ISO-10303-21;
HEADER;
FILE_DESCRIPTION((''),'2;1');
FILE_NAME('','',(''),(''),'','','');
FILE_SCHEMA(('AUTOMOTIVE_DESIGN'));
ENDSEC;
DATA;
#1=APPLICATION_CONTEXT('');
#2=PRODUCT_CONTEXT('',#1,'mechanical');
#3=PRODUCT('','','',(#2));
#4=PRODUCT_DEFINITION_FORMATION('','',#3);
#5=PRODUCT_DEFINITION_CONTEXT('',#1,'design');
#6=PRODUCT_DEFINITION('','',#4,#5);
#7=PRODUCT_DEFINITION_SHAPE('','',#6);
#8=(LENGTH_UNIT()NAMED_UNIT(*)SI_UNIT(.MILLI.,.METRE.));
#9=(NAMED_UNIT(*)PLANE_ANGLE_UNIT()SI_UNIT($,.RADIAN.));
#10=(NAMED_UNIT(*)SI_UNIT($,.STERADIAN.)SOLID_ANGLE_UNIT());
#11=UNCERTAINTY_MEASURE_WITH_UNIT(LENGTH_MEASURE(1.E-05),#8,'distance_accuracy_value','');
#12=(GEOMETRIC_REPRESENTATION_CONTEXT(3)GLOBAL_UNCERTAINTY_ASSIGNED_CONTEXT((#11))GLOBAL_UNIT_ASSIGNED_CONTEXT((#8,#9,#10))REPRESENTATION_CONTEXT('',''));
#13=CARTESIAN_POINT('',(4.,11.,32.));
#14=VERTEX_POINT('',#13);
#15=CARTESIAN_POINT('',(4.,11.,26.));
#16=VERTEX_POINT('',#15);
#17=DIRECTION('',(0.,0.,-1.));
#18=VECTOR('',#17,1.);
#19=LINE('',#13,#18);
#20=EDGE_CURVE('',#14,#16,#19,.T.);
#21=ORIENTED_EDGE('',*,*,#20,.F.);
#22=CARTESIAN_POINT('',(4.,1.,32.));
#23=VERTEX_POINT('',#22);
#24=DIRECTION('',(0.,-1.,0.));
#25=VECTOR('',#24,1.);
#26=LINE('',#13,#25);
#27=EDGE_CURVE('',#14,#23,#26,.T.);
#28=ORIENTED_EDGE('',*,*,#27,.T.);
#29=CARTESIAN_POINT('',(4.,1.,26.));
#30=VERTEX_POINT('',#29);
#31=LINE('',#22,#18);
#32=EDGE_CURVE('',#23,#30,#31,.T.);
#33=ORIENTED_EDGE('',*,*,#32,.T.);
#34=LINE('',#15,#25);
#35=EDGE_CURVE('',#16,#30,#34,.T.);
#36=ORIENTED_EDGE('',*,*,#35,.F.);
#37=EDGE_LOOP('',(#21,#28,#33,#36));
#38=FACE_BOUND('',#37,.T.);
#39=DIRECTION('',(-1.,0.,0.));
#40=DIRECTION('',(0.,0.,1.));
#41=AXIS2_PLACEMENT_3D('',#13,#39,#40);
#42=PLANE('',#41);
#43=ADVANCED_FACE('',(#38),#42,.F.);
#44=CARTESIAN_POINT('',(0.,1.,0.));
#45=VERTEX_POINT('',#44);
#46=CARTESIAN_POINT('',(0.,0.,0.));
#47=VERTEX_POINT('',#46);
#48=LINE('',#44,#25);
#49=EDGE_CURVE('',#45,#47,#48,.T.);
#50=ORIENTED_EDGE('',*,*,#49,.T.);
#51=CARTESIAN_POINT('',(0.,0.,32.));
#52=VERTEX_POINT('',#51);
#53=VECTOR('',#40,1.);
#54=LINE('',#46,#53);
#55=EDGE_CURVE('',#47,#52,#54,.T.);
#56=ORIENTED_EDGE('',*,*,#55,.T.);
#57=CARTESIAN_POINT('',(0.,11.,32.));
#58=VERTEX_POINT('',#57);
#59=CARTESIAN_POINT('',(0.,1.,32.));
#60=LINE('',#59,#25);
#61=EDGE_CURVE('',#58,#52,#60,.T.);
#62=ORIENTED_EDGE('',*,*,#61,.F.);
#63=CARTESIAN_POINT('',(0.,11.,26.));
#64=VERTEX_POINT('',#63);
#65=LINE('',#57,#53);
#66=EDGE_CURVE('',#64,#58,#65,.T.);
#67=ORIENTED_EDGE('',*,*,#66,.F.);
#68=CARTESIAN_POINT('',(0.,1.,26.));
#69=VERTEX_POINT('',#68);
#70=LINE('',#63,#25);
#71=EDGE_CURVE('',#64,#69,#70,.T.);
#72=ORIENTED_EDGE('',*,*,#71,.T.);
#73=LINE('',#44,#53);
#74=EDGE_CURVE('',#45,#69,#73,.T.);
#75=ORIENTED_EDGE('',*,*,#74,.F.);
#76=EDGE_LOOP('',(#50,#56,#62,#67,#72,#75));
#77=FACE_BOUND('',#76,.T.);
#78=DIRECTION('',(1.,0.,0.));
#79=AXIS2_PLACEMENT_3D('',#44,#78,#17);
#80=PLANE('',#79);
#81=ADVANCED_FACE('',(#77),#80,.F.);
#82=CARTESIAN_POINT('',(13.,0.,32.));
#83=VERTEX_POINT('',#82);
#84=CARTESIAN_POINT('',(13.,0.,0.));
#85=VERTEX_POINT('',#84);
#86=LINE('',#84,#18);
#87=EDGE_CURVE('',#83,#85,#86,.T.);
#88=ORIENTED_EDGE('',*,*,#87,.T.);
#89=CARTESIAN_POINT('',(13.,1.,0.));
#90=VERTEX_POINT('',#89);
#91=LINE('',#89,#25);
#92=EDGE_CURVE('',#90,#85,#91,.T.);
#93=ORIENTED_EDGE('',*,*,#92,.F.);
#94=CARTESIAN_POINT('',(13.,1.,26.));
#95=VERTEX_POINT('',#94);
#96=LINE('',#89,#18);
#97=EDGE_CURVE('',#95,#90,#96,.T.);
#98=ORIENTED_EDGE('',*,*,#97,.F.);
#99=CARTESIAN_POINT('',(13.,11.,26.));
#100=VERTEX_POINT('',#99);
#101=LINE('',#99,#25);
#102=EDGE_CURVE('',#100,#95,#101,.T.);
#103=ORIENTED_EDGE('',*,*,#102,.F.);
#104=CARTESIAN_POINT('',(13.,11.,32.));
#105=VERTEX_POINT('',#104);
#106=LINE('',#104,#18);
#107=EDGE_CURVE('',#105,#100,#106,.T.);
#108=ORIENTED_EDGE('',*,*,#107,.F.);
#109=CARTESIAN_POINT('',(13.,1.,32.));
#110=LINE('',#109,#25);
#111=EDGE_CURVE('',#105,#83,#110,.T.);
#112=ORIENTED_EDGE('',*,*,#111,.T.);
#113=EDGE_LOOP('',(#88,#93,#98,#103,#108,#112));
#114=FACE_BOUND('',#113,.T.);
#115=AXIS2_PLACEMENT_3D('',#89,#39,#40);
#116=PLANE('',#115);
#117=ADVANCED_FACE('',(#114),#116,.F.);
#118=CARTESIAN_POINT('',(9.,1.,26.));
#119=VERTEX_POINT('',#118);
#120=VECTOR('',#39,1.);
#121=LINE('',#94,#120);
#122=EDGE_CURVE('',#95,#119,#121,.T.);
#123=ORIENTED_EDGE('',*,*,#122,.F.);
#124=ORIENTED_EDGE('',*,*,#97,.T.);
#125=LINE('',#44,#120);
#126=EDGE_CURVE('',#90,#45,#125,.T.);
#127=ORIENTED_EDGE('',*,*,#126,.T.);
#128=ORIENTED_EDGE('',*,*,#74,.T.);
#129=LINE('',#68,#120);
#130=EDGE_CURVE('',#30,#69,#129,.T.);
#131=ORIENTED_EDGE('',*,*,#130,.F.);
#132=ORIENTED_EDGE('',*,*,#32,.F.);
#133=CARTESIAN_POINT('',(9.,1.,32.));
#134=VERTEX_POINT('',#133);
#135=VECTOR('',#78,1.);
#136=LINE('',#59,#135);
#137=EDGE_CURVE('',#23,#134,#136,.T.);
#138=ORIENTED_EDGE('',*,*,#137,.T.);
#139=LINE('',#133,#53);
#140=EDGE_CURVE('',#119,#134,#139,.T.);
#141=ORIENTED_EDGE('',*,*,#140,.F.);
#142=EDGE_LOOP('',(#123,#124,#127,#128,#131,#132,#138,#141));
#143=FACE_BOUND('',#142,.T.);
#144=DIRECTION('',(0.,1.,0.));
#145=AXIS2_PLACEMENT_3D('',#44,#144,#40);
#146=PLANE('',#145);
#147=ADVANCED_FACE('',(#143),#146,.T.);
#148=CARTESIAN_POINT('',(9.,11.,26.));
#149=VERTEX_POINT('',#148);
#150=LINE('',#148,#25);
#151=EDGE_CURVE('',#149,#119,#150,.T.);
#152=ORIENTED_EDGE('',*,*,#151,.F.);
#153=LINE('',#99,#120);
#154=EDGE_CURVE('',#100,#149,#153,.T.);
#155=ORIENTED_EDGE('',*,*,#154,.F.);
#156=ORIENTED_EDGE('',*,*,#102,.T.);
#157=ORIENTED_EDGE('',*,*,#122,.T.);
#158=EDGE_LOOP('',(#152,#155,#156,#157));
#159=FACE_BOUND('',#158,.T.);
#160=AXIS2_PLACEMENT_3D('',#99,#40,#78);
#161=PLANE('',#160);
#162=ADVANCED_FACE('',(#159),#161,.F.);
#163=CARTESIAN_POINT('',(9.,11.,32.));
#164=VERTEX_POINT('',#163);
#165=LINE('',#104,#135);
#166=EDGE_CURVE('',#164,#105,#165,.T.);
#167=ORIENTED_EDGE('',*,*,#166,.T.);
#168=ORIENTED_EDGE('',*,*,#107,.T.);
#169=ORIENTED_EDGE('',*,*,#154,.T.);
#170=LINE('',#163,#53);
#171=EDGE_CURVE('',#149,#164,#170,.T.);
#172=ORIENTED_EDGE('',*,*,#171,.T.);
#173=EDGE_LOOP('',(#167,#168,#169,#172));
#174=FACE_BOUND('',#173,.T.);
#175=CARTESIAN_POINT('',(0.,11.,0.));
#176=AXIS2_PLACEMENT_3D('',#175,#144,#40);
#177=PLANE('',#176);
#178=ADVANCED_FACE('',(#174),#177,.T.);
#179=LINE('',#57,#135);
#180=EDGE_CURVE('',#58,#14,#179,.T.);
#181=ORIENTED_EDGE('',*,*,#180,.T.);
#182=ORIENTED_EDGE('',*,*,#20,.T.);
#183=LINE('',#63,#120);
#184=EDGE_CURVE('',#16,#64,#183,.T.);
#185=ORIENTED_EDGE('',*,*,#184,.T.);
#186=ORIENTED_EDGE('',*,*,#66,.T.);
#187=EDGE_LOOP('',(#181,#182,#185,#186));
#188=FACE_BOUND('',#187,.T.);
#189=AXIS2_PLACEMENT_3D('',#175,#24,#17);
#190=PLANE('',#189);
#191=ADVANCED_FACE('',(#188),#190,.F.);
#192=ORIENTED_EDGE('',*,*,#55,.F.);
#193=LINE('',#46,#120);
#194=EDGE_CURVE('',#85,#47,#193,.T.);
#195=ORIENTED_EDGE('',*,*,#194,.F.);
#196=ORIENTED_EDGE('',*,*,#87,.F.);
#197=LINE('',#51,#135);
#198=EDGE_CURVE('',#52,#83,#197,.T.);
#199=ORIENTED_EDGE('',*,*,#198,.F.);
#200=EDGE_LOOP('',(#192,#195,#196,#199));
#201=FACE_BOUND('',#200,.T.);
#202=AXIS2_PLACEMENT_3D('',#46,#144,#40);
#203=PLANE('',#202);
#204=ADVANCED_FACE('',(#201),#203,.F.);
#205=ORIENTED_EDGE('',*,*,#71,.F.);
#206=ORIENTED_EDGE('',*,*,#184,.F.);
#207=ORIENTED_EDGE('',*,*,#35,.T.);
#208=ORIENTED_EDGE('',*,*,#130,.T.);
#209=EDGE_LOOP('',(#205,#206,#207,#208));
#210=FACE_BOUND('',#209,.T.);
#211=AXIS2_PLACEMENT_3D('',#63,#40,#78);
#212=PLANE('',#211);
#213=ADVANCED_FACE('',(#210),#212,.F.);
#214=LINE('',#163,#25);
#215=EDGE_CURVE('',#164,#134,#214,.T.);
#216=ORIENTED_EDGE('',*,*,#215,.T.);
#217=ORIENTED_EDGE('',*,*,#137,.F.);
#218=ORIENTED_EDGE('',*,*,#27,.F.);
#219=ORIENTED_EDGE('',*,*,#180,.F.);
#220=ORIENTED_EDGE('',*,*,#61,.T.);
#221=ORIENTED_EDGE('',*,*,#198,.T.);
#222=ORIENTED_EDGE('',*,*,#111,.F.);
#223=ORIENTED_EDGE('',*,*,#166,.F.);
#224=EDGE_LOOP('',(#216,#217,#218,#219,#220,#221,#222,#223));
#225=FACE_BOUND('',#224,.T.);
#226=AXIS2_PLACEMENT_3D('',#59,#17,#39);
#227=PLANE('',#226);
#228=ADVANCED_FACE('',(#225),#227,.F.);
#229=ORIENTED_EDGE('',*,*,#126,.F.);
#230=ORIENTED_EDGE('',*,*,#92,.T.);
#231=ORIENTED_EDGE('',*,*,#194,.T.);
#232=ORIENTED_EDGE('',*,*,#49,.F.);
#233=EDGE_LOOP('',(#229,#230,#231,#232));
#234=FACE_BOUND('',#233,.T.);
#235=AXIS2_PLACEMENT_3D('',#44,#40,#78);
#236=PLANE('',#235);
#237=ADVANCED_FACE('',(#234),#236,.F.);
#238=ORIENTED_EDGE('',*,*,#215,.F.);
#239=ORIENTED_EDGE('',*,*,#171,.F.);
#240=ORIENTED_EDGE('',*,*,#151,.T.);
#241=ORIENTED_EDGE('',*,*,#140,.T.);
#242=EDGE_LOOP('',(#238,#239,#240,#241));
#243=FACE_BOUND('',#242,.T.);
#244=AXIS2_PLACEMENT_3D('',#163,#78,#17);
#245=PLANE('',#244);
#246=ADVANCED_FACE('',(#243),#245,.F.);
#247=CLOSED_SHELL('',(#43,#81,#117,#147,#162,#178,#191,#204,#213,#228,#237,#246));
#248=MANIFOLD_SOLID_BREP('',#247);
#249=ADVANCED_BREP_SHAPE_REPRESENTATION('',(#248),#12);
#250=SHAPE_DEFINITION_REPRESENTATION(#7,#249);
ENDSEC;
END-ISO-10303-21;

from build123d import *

# Parameters (mm, degrees)
SKETCH1_W           = 13
SKETCH1_H           = 32
BOSS_EXTRUDE1_DEPTH = 1
SKETCH2_W           = 4
SKETCH2_H           = 6
BOSS_EXTRUDE2_DEPTH = 10


with BuildPart() as part:
    # Sketch1 → Boss-Extrude1 (new body)
    with BuildSketch(Plane(origin=(0, 0, 0), x_dir=(1, 0, 0), z_dir=(0, 1, 0))):
        with Locations((6.5, -16)):
            Rectangle(SKETCH1_W, SKETCH1_H)
    extrude(amount=BOSS_EXTRUDE1_DEPTH)

    # Sketch2 → Boss-Extrude2 (add)
    with BuildSketch(Plane(origin=(0, 1, 0), x_dir=(1, 0, 0), z_dir=(0, 1, 0))):
        with Locations((11, -29)):
            Rectangle(SKETCH2_W, SKETCH2_H)
        with Locations((2, -29)):
            Rectangle(SKETCH2_W, SKETCH2_H)
    extrude(amount=BOSS_EXTRUDE2_DEPTH)


solid = part.part
